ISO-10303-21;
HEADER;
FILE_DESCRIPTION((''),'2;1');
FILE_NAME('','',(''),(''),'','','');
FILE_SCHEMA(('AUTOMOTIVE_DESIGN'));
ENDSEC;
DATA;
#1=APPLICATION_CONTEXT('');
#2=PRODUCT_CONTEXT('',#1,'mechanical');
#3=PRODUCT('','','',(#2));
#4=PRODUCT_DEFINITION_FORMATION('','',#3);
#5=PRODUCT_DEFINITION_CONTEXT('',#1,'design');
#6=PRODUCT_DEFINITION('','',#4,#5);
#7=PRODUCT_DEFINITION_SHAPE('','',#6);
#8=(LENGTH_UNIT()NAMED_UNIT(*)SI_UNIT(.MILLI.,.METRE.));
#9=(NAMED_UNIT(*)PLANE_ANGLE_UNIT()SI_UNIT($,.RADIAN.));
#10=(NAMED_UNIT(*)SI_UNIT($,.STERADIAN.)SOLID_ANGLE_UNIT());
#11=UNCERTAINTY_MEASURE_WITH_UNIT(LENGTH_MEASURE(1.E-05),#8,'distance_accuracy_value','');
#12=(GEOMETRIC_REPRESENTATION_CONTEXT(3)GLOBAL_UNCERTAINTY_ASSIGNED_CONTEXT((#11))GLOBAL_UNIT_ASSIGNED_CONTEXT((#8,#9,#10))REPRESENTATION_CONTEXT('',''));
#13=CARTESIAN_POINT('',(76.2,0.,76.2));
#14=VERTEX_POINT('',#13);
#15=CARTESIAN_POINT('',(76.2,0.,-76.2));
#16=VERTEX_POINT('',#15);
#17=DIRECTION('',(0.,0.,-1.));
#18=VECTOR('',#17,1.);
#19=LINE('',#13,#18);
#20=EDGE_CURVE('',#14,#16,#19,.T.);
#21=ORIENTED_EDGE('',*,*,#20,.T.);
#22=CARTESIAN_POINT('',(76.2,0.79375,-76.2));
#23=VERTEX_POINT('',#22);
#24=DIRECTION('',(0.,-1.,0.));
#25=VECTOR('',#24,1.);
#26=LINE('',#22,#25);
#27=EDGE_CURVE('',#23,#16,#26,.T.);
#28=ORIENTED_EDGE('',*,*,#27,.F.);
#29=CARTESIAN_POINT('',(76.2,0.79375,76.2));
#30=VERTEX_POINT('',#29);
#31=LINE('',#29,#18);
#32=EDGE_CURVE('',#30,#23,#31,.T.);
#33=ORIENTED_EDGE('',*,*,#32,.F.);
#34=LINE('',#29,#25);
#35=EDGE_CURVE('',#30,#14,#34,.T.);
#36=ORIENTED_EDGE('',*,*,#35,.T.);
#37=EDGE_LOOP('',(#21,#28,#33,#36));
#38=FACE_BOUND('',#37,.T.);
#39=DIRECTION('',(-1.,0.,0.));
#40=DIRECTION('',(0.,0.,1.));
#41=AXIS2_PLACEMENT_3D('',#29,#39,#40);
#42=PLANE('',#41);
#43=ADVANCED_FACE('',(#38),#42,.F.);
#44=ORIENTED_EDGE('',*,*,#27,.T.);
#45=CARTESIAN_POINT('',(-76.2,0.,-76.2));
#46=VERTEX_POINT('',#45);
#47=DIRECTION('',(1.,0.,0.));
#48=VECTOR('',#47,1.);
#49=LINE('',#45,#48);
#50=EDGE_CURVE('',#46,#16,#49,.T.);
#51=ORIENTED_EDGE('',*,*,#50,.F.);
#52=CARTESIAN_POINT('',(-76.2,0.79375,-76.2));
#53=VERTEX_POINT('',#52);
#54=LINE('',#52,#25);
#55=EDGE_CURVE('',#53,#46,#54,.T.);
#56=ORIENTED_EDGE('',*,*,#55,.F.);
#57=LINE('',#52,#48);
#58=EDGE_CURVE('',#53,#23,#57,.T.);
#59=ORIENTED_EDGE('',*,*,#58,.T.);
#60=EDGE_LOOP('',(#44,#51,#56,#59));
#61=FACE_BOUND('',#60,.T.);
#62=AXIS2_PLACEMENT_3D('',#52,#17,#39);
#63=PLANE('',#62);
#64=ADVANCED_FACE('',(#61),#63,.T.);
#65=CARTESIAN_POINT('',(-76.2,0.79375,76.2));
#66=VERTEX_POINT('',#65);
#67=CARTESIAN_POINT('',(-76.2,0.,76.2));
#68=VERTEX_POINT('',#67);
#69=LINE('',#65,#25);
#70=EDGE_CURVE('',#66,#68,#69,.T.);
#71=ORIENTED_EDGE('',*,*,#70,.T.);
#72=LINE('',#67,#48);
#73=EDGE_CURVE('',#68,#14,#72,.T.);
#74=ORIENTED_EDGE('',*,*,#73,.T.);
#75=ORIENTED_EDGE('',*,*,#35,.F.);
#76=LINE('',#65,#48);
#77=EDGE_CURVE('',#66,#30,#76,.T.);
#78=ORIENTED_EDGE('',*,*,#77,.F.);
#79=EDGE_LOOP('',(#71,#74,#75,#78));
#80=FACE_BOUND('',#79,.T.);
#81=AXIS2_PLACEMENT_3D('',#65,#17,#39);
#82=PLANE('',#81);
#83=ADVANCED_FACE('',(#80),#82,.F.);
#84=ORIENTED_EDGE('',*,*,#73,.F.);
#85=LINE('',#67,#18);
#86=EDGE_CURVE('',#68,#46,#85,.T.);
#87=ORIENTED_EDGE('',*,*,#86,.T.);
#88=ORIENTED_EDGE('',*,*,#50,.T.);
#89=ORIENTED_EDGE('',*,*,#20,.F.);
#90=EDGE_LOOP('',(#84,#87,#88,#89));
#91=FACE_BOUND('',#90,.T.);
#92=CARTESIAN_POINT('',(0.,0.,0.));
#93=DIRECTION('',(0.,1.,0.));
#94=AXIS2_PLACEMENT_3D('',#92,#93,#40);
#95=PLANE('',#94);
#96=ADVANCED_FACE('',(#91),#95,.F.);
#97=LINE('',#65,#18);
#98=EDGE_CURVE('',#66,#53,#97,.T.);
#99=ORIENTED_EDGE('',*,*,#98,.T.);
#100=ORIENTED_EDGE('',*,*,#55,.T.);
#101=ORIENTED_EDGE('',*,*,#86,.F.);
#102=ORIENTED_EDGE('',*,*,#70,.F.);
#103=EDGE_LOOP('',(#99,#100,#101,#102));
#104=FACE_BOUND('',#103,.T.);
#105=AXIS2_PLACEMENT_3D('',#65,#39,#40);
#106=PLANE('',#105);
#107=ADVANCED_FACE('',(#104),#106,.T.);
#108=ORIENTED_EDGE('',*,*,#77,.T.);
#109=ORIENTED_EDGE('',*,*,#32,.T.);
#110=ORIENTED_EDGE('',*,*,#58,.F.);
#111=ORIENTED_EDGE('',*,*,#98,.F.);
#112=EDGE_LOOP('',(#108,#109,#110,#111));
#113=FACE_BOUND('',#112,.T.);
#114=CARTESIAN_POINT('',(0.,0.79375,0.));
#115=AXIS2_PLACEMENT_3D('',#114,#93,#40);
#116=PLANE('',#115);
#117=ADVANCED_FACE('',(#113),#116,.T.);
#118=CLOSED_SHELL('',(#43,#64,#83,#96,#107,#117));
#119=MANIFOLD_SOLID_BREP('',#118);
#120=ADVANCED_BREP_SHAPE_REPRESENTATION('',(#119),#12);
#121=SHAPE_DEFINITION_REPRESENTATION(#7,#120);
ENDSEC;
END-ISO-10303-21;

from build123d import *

# Parameters (mm, degrees)
SKETCH1_W           = 152.4
SKETCH1_H           = 152.4
BOSS_EXTRUDE1_DEPTH = 0.79375


with BuildPart() as part:
    # Sketch1 → Boss-Extrude1 (new body)
    with BuildSketch(Plane(origin=(0, 0, 0), x_dir=(1, 0, 0), z_dir=(0, 1, 0))):
        Rectangle(SKETCH1_W, SKETCH1_H)
    extrude(amount=BOSS_EXTRUDE1_DEPTH)


solid = part.part
